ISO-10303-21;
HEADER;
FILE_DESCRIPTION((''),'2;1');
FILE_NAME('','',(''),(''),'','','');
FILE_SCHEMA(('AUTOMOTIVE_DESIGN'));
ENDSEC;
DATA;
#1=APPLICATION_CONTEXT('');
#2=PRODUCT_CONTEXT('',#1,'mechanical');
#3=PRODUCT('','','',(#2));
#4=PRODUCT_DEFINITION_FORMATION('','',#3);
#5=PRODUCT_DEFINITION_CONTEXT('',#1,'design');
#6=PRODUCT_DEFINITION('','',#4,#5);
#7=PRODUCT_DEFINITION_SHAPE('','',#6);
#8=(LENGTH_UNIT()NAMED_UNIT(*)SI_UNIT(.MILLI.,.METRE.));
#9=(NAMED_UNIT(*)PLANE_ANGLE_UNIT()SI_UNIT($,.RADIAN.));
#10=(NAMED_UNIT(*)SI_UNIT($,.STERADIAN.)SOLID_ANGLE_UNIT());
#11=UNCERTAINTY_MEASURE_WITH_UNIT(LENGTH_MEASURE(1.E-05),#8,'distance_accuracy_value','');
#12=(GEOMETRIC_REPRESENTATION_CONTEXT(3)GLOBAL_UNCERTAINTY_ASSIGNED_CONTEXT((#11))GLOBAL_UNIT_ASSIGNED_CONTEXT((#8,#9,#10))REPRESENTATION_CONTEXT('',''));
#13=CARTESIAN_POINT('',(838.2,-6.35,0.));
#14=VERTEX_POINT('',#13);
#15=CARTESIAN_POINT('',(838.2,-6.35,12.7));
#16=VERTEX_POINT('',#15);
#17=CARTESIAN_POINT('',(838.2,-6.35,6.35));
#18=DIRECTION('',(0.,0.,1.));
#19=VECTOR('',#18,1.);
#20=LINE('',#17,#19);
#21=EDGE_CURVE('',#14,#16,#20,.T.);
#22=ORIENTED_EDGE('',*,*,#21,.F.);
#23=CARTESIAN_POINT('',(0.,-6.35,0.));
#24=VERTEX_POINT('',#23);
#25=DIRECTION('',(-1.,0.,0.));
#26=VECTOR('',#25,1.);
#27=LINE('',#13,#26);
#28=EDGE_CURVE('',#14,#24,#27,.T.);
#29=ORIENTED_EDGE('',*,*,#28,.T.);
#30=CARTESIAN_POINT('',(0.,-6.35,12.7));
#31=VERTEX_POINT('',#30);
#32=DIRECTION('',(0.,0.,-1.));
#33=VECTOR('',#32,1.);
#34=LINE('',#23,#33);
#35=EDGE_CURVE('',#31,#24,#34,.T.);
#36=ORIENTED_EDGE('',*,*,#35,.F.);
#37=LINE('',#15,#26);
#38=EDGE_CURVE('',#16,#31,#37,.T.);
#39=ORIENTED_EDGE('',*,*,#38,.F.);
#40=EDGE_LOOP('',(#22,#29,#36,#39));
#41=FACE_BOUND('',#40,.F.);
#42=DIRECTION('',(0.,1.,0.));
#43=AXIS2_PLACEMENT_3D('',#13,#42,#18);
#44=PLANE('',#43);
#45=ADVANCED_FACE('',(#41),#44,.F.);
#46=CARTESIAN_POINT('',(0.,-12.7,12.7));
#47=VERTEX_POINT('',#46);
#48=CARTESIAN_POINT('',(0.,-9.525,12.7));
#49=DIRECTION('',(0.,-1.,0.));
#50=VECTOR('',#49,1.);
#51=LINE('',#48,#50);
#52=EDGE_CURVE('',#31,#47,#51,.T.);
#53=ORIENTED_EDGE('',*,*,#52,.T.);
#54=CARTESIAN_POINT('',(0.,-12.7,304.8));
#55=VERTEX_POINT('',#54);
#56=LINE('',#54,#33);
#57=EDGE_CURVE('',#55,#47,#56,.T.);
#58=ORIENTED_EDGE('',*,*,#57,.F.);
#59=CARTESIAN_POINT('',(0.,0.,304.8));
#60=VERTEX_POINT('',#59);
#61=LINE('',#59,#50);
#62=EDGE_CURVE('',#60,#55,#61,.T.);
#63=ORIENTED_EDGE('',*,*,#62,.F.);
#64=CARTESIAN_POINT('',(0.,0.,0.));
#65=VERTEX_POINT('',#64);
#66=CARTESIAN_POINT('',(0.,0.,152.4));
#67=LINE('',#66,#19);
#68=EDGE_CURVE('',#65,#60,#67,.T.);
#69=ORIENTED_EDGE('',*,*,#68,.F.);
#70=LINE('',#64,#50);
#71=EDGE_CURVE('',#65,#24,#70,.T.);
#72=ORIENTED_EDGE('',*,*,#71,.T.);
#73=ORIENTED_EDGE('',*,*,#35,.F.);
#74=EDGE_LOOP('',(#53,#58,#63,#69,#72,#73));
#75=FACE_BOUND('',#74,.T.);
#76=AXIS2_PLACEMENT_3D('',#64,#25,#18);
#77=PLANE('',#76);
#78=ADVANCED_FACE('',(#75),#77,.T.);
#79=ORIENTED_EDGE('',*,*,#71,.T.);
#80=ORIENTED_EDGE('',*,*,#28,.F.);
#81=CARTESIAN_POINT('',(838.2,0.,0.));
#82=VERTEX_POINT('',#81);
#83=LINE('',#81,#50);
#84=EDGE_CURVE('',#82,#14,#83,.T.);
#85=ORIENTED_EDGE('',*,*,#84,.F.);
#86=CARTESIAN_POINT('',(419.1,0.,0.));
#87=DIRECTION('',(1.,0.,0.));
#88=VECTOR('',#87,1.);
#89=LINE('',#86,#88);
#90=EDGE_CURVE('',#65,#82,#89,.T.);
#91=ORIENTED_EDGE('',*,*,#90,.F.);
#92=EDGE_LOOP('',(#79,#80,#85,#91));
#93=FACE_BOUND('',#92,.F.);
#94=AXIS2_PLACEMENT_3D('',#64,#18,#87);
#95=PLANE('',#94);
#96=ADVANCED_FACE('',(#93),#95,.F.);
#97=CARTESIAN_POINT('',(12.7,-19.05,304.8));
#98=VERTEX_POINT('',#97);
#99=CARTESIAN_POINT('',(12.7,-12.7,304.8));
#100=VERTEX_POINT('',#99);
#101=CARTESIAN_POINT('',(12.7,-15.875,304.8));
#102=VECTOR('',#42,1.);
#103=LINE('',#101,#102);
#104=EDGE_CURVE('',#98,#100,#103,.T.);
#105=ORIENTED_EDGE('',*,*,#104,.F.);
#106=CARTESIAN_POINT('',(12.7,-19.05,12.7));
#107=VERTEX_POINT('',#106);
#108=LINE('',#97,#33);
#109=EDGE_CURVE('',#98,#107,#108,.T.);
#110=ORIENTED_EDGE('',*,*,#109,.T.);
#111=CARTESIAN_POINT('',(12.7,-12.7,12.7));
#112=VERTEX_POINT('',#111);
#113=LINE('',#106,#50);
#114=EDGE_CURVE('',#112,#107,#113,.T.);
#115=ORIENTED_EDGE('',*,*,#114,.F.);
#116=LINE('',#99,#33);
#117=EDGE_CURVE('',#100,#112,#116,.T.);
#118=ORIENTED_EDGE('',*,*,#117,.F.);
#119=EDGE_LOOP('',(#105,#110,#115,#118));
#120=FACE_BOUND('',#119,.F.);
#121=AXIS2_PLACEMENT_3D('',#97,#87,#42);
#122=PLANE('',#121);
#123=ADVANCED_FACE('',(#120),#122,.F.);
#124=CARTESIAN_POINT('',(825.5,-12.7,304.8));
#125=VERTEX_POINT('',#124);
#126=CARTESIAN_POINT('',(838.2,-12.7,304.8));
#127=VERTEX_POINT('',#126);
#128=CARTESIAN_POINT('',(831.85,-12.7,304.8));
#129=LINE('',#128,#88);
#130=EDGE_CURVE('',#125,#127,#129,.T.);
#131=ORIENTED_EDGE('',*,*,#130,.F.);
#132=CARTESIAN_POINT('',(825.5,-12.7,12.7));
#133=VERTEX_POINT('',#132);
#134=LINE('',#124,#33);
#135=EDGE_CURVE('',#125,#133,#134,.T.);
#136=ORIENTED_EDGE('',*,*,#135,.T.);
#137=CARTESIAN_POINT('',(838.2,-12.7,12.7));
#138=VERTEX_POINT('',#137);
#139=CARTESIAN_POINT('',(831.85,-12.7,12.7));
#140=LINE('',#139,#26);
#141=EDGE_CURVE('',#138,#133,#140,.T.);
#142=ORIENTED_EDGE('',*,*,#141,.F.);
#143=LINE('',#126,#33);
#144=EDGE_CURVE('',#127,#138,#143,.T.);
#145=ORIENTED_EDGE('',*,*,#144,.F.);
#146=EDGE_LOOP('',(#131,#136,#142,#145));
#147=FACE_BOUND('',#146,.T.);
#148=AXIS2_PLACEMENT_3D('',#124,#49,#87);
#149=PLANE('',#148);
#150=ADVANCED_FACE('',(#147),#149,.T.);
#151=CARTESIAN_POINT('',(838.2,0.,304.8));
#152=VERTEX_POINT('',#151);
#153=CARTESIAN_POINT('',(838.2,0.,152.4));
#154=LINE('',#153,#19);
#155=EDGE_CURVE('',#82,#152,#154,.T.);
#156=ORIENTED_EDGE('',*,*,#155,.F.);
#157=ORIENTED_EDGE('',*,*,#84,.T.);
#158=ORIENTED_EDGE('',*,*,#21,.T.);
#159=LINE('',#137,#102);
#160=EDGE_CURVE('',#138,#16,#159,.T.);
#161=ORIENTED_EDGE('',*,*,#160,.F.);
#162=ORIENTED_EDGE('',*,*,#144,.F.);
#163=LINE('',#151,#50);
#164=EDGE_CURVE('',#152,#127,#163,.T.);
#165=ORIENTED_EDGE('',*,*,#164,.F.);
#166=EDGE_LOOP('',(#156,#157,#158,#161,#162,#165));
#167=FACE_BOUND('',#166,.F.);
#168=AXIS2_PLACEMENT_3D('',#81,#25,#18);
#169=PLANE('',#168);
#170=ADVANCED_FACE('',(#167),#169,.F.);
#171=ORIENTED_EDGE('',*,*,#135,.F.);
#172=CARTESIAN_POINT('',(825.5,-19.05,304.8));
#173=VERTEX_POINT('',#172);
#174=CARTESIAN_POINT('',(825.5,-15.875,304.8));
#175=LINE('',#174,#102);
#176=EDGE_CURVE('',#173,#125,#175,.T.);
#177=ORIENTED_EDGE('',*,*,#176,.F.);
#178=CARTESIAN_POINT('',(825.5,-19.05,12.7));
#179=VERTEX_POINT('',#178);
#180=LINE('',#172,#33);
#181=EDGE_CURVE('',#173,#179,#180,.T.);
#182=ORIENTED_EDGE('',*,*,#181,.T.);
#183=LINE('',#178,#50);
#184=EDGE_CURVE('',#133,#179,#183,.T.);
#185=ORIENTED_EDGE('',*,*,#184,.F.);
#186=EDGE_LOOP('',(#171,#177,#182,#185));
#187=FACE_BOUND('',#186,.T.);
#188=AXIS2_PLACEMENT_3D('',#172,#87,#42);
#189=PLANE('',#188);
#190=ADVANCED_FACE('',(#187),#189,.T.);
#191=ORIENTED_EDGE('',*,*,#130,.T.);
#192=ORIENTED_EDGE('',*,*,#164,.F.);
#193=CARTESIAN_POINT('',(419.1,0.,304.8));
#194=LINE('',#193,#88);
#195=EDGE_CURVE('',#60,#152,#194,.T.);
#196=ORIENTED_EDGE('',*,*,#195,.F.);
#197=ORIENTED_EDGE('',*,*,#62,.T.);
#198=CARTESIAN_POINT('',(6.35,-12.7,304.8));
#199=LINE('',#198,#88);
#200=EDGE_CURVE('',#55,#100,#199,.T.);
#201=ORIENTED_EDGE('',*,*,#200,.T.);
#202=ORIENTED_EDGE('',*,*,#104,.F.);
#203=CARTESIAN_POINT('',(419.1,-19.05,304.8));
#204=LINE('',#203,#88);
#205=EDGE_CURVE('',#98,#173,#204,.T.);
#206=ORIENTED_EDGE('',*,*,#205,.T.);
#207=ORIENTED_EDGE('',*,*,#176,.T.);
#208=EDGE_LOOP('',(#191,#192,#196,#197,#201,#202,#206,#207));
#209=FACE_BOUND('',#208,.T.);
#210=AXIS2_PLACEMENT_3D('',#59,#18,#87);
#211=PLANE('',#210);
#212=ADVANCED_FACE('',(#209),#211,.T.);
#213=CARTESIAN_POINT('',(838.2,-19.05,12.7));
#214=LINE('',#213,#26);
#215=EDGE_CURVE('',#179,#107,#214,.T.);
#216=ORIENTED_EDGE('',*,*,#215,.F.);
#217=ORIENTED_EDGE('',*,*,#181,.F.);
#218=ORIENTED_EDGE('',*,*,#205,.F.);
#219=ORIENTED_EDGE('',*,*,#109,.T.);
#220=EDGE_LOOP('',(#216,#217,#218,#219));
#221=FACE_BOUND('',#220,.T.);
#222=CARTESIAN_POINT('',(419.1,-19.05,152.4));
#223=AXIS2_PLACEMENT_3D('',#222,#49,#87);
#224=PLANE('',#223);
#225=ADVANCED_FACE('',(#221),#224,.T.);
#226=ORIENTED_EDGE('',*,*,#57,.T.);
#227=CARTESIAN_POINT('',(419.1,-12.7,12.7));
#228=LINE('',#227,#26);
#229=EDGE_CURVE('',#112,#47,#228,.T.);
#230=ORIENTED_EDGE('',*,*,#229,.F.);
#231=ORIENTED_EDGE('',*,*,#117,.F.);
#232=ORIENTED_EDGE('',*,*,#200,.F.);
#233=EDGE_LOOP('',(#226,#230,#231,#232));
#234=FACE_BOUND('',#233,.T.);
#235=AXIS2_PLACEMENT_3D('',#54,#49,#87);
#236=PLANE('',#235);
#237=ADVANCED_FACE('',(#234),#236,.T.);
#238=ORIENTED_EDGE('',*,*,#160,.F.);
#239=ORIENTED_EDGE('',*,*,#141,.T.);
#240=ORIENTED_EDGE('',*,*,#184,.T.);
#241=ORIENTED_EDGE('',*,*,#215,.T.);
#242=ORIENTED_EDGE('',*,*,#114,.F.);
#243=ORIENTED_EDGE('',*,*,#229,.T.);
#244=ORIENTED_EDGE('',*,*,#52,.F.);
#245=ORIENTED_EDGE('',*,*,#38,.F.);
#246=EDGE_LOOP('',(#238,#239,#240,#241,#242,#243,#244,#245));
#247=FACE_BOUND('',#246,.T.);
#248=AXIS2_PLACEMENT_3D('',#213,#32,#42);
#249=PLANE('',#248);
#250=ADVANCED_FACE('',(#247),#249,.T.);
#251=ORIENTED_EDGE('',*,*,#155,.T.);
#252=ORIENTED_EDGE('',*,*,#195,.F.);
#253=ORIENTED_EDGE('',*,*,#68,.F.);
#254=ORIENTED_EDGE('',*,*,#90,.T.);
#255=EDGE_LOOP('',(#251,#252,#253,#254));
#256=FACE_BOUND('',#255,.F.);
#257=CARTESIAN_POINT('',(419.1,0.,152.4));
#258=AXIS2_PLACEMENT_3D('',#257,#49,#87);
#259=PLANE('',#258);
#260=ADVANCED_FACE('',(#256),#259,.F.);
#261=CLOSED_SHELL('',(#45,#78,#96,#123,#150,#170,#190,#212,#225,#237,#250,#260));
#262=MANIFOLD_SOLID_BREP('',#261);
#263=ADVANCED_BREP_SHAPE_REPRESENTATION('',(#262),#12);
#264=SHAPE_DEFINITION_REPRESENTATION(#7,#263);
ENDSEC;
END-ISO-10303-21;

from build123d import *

# Parameters (mm, degrees)
F0_W     = 838.2
F0_H     = 304.8
F1_DEPTH = 19.05
F2_W     = 12.7
F2_H     = 12.7
F3_DEPTH = 838.201
F4_W     = 12.7
F4_H     = 6.35
F5_DEPTH = 304.801


with BuildPart() as f1:
    # F0 (on Front) → F1 (new body)
    with BuildSketch(Plane.XZ):
        with Locations((419.1, 152.4)):
            Rectangle(F0_W, F0_H)
    extrude(amount=F1_DEPTH)

    # F2 (on face) → F3 (cut, through all)
    with BuildSketch(Plane.YZ.offset(838.2)):
        with Locations((-12.7, 6.35)):
            Rectangle(F2_W, F2_H)
    extrude(amount=-F3_DEPTH, mode=Mode.SUBTRACT)

    # F4 (on face) → F5 (cut, through all)
    with BuildSketch(Plane.XY.offset(304.8)):
        with Locations((831.85, -15.875)):
            Rectangle(F4_W, F4_H)
        with Locations((6.35, -15.875)):
            Rectangle(F4_W, F4_H)
    extrude(amount=-F5_DEPTH, mode=Mode.SUBTRACT)


solid = f1.part
